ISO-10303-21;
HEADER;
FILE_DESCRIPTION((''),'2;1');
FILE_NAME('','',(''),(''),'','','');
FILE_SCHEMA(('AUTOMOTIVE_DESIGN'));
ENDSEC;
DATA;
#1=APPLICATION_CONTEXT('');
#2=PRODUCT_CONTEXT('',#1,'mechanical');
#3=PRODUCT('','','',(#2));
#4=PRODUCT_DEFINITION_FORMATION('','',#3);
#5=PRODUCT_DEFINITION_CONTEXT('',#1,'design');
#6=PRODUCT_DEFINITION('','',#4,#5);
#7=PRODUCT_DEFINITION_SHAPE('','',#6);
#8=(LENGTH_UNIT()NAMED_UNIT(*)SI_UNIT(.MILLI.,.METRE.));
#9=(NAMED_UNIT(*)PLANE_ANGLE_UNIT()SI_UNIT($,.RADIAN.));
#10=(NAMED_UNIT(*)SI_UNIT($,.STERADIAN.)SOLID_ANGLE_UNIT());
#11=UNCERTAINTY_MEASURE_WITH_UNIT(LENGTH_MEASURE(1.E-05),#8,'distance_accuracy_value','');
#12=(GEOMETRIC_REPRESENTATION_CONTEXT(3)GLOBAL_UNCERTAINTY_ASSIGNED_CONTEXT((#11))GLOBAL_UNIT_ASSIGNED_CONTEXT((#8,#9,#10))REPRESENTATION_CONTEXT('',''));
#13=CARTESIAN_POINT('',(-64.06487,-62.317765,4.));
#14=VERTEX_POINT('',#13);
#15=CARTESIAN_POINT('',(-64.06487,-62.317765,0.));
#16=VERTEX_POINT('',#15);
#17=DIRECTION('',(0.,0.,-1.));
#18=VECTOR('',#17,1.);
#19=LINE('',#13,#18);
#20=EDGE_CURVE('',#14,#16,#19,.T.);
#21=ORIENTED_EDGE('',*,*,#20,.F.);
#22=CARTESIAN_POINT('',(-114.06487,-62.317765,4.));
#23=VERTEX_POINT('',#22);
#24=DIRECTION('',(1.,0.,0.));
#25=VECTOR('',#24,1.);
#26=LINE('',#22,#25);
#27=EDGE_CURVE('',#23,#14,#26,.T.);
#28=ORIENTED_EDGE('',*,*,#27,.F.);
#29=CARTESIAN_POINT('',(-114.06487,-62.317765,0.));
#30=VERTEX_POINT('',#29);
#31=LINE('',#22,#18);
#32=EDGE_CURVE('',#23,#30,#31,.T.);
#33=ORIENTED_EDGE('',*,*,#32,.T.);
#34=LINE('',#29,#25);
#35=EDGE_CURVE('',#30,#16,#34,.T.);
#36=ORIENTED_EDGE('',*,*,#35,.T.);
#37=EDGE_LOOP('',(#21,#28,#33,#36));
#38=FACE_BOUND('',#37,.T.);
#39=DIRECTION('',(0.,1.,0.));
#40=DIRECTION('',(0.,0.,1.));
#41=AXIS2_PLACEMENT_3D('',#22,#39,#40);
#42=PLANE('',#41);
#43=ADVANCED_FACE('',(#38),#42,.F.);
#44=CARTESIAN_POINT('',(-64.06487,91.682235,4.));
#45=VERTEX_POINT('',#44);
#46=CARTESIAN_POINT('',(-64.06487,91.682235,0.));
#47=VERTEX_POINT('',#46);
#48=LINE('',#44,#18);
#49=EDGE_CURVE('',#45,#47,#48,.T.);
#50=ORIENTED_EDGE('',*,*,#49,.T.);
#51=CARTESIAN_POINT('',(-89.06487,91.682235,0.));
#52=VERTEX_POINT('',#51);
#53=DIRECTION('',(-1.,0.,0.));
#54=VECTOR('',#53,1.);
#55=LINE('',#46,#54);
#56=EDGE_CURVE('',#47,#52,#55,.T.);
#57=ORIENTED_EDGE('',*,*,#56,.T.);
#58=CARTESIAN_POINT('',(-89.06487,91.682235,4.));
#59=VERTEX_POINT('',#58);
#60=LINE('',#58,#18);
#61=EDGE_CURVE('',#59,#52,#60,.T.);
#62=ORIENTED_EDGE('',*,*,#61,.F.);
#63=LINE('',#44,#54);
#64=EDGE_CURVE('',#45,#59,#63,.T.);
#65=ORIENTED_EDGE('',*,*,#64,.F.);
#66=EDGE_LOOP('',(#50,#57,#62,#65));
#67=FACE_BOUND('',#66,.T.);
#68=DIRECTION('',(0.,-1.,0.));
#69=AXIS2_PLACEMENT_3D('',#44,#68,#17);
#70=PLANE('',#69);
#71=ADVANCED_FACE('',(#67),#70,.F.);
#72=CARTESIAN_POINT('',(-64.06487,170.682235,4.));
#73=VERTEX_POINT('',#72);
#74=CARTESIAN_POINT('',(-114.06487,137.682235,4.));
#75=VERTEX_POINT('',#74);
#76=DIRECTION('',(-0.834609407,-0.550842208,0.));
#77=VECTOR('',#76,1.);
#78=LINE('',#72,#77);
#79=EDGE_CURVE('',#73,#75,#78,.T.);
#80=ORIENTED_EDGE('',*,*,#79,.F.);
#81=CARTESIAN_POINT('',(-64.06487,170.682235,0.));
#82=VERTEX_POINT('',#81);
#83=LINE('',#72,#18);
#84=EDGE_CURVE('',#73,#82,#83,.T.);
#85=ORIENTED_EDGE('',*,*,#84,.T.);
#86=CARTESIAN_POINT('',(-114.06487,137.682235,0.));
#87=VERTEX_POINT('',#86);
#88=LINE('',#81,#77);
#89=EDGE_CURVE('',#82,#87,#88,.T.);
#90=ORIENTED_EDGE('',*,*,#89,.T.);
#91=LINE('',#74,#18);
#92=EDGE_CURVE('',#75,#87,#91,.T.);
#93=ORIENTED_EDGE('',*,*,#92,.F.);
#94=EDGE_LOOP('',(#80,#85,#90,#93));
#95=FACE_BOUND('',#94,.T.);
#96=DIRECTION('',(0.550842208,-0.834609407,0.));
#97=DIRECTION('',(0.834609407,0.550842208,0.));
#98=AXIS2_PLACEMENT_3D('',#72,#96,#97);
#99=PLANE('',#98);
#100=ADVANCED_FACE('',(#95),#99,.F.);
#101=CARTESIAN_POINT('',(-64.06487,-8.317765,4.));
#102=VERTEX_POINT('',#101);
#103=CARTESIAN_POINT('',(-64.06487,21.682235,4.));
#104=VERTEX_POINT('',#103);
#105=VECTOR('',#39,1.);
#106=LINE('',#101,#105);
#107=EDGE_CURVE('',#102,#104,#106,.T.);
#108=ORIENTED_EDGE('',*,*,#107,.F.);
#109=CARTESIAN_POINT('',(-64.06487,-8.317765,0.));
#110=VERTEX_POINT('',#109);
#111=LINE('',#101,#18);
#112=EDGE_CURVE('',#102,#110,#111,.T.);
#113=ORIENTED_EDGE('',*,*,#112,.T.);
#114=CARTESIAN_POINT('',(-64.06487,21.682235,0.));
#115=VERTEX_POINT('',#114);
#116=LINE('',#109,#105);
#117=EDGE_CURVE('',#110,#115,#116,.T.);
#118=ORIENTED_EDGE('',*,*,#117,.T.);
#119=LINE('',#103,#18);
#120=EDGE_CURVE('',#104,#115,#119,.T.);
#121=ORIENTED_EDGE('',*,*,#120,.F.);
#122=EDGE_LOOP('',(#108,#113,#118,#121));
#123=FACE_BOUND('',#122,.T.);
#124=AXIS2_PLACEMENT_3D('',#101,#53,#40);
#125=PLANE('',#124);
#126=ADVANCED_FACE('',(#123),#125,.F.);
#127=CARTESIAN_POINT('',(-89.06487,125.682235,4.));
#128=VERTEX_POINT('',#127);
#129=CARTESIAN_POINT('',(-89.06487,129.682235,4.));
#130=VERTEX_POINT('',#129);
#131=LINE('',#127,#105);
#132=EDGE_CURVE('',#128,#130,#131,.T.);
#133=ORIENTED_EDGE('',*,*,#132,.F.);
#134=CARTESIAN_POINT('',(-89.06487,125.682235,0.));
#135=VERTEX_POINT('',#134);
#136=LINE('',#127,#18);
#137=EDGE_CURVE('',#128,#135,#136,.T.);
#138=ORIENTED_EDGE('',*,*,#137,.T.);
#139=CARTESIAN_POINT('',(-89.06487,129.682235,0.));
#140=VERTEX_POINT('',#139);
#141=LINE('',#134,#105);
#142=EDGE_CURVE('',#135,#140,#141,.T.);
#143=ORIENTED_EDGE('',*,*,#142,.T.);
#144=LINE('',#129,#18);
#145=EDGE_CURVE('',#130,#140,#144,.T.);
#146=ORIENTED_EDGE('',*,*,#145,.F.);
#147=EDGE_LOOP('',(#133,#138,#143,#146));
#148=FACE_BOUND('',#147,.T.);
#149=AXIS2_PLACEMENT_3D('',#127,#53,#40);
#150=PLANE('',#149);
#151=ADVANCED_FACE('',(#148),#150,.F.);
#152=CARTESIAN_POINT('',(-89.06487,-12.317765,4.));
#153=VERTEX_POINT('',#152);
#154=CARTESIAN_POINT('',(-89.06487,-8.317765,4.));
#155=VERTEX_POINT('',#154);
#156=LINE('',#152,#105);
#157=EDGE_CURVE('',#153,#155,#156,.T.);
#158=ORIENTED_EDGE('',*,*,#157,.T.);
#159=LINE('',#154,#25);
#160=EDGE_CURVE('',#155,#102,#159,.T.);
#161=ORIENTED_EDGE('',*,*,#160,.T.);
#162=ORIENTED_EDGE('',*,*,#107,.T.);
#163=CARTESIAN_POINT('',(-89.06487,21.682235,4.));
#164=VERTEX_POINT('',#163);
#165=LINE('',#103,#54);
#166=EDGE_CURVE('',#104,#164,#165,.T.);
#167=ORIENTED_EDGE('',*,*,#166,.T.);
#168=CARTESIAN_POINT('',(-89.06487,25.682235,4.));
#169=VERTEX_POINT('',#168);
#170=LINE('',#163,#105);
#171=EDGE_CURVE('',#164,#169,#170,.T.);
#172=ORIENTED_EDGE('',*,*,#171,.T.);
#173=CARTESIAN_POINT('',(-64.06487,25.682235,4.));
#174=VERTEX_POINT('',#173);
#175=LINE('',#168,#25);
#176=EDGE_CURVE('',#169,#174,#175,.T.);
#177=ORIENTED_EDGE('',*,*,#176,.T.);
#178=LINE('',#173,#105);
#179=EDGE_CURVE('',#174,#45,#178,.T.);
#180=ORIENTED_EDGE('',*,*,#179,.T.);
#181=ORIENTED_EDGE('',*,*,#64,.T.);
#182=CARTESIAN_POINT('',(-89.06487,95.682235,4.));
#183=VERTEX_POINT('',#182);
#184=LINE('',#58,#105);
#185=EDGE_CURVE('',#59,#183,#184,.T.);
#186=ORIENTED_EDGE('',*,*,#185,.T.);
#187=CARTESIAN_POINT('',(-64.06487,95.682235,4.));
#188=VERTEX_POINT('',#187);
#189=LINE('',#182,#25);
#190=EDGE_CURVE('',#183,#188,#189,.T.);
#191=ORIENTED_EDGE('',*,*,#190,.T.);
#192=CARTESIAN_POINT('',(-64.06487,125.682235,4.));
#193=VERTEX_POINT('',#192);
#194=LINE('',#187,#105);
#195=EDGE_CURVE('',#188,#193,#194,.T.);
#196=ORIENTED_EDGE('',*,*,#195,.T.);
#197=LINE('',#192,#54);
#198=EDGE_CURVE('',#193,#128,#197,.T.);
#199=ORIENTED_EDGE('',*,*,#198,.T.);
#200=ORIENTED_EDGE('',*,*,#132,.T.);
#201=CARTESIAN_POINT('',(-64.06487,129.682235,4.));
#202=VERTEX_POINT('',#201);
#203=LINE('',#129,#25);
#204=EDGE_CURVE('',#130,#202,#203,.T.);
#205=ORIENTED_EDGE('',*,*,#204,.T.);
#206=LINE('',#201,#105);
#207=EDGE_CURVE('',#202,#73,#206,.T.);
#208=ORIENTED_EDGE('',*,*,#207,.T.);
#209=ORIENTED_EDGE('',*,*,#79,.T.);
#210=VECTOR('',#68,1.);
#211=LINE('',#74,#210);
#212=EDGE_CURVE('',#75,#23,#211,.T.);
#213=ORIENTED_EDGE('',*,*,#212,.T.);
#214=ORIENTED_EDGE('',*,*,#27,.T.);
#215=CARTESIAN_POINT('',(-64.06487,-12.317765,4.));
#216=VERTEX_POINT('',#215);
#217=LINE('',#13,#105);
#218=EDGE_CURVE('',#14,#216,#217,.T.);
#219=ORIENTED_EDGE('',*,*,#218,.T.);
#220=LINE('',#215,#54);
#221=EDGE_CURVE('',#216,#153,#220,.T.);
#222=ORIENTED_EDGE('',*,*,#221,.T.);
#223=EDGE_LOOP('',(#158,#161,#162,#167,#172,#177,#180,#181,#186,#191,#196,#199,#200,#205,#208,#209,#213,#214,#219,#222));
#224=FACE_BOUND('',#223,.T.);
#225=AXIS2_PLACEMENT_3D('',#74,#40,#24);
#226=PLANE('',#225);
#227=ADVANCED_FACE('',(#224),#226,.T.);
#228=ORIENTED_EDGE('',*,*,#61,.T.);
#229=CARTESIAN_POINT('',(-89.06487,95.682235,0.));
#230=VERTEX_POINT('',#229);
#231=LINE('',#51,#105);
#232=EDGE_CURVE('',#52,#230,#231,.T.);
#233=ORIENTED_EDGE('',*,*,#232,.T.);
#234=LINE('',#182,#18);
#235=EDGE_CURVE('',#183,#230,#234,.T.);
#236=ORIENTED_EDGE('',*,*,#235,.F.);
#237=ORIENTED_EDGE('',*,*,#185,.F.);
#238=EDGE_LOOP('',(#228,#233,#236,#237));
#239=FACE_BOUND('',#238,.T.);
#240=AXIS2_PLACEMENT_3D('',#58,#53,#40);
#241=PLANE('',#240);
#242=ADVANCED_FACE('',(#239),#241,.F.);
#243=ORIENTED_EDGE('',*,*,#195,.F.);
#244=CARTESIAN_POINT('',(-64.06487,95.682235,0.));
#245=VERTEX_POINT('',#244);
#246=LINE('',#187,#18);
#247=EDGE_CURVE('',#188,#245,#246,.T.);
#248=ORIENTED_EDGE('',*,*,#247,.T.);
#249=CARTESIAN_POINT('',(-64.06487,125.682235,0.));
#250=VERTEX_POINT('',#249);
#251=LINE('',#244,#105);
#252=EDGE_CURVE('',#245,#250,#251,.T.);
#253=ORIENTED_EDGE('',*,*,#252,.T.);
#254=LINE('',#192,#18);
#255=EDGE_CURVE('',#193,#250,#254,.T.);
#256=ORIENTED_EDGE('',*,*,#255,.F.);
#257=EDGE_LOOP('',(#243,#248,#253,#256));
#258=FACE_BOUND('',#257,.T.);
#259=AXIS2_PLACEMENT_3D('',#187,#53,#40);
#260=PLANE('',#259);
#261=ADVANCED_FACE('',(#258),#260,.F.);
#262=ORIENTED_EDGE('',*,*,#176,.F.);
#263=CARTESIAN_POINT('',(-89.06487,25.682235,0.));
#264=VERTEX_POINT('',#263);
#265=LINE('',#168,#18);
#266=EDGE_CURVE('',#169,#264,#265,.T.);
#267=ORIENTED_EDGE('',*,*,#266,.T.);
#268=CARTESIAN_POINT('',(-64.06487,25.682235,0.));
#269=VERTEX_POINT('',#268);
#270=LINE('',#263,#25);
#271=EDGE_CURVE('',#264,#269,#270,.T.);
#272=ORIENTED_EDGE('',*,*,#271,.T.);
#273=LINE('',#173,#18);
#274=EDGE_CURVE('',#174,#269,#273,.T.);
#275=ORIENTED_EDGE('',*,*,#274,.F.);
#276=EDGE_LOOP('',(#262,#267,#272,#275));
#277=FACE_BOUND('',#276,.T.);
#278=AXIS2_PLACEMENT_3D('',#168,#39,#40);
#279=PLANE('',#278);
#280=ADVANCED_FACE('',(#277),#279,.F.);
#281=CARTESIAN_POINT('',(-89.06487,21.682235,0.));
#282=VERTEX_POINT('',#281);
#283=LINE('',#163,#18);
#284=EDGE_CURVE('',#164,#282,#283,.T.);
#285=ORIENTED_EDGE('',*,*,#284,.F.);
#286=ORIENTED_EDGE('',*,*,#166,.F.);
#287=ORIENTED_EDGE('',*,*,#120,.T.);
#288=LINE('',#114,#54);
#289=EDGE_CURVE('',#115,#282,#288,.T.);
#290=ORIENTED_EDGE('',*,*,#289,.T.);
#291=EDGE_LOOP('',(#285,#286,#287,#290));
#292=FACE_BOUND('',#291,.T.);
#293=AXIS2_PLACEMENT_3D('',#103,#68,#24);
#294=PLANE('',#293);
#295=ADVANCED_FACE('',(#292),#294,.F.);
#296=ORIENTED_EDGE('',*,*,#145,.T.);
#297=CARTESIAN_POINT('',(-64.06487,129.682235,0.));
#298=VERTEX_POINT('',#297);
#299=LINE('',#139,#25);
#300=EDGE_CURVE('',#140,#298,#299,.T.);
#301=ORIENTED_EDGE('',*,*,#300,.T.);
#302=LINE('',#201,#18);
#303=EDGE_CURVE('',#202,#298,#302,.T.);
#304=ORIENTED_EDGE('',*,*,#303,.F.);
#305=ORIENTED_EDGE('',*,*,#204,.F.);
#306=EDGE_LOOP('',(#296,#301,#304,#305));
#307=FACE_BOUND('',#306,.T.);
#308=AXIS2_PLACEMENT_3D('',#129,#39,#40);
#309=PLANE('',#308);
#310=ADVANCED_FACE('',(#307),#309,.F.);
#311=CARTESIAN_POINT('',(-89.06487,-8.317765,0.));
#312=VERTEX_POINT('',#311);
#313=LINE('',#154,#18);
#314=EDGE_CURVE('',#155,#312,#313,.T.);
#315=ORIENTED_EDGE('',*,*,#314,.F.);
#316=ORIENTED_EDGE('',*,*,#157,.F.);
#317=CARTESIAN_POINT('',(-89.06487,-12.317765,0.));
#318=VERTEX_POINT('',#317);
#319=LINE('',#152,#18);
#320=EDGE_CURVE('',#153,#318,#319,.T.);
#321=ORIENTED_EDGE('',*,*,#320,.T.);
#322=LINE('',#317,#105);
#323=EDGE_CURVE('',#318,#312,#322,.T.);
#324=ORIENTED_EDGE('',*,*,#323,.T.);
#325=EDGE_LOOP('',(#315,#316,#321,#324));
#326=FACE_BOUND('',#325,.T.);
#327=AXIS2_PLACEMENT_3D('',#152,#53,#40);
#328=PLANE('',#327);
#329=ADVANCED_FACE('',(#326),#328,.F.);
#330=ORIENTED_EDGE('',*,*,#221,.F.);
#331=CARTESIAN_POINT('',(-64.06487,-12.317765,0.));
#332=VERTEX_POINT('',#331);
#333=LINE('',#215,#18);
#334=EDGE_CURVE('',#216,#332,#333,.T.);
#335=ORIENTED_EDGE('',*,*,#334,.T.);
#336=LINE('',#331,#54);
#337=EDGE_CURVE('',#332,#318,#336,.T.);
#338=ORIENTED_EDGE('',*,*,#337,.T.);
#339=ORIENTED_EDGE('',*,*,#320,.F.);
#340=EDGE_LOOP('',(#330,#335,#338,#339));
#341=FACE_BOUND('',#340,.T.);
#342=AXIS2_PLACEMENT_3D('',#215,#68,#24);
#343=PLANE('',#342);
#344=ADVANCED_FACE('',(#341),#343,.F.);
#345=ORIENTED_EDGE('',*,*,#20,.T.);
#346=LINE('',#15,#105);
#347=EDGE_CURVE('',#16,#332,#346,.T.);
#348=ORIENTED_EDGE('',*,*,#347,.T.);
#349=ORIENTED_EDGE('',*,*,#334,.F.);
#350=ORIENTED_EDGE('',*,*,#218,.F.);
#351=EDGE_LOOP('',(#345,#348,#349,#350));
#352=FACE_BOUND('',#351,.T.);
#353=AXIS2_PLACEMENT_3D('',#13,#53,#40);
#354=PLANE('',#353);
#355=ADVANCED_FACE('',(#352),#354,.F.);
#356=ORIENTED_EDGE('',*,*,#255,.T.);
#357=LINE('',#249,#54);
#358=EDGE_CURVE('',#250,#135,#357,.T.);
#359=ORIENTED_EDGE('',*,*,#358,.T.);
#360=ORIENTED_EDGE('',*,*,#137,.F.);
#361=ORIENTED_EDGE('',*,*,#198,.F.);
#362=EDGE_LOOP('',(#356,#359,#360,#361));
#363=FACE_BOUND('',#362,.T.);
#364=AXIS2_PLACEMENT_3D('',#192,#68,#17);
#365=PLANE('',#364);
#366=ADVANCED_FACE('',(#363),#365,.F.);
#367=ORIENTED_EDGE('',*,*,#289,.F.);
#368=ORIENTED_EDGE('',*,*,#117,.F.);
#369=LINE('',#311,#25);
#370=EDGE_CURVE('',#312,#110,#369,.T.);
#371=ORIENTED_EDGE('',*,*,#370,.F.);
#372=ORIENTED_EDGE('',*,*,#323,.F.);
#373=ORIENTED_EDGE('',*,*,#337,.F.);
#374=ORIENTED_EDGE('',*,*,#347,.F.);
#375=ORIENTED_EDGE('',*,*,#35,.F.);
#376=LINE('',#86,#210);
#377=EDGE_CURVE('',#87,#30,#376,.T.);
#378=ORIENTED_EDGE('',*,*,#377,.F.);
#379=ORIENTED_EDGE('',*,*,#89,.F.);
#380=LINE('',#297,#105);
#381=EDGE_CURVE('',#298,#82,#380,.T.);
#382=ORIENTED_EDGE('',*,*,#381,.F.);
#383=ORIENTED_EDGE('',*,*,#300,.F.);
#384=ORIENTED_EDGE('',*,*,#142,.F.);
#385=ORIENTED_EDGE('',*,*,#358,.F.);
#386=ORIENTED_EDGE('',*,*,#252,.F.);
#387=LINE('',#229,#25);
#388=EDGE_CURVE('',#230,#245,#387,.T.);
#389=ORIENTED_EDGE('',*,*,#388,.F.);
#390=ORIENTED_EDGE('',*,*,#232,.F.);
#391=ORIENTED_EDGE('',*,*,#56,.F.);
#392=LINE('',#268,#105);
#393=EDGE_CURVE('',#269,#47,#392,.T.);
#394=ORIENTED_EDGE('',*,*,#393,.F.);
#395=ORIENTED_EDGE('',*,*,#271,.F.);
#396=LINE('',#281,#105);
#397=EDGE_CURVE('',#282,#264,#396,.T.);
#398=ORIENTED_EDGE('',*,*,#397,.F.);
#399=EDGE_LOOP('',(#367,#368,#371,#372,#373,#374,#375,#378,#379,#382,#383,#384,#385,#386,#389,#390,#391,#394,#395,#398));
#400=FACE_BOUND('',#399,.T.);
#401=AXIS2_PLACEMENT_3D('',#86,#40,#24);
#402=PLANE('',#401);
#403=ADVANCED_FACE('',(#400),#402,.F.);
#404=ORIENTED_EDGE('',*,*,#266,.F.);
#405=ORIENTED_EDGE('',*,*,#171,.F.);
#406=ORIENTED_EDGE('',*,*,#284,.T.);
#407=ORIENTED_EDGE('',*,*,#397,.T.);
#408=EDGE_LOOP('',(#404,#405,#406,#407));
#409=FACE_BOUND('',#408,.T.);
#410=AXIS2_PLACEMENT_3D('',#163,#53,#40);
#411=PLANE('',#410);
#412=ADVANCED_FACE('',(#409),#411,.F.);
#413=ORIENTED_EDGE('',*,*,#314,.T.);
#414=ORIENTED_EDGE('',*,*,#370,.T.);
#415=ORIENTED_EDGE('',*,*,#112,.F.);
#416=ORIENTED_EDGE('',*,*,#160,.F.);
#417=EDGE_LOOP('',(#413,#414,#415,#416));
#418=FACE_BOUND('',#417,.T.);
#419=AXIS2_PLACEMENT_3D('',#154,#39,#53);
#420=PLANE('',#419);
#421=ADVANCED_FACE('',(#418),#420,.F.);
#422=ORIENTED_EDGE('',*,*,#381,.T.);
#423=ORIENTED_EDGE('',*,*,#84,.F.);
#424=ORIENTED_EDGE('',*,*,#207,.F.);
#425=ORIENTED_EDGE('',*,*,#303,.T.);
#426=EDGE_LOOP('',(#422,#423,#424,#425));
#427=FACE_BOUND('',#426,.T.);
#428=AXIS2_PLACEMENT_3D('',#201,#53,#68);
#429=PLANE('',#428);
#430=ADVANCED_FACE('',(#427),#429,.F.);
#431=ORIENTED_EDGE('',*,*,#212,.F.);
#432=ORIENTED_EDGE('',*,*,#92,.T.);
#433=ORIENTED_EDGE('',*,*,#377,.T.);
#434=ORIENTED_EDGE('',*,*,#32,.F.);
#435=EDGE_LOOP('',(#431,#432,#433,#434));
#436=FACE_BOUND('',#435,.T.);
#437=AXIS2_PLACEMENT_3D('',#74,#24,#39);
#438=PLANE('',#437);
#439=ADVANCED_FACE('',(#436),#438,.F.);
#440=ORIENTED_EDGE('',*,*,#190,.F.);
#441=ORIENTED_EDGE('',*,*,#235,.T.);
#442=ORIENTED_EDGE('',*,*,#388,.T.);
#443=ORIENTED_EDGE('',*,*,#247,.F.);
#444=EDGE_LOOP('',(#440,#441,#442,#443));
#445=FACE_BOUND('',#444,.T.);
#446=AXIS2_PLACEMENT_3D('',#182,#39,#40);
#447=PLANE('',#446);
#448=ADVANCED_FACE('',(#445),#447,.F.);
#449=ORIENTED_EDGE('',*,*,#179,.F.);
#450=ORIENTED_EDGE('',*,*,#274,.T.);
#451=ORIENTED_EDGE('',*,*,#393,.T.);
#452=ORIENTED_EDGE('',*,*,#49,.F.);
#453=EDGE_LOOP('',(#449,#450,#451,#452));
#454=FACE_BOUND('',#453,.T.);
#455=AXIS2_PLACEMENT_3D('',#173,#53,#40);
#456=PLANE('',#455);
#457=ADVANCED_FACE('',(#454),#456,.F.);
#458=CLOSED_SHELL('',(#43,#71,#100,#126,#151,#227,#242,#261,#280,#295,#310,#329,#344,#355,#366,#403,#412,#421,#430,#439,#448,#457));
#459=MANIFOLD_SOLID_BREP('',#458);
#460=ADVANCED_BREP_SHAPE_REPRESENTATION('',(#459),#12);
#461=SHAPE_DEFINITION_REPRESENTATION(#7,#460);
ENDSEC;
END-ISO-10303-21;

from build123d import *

# Parameters (mm, degrees)
BOSS_EXTRU_1_DEPTH = 4


with BuildPart() as part:
    # Esquisse1 → Boss.-Extru.1 (new body)
    with BuildSketch(Plane.XY):
        Polygon((-114.064870184, 137.682235243), (-114.064870184, -62.317764757), (-64.064870184, -62.317764757), (-64.064870184, -12.317764757), (-89.064870184, -12.317764757), (-89.064870184, -8.317764757), (-64.064870184, -8.317764757), (-64.064870184, 21.682235243), (-89.064870184, 21.682235243), (-89.064870184, 25.682235243), (-64.064870184, 25.682235243), (-64.064870184, 91.682235243), (-89.064870184, 91.682235243), (-89.064870184, 95.682235243), (-64.064870184, 95.682235243), (-64.064870184, 125.682235243), (-89.064870184, 125.682235243), (-89.064870184, 129.682235243), (-64.064870184, 129.682235243), (-64.064870184, 170.682235243), align=None)
    extrude(amount=BOSS_EXTRU_1_DEPTH)


solid = part.part
